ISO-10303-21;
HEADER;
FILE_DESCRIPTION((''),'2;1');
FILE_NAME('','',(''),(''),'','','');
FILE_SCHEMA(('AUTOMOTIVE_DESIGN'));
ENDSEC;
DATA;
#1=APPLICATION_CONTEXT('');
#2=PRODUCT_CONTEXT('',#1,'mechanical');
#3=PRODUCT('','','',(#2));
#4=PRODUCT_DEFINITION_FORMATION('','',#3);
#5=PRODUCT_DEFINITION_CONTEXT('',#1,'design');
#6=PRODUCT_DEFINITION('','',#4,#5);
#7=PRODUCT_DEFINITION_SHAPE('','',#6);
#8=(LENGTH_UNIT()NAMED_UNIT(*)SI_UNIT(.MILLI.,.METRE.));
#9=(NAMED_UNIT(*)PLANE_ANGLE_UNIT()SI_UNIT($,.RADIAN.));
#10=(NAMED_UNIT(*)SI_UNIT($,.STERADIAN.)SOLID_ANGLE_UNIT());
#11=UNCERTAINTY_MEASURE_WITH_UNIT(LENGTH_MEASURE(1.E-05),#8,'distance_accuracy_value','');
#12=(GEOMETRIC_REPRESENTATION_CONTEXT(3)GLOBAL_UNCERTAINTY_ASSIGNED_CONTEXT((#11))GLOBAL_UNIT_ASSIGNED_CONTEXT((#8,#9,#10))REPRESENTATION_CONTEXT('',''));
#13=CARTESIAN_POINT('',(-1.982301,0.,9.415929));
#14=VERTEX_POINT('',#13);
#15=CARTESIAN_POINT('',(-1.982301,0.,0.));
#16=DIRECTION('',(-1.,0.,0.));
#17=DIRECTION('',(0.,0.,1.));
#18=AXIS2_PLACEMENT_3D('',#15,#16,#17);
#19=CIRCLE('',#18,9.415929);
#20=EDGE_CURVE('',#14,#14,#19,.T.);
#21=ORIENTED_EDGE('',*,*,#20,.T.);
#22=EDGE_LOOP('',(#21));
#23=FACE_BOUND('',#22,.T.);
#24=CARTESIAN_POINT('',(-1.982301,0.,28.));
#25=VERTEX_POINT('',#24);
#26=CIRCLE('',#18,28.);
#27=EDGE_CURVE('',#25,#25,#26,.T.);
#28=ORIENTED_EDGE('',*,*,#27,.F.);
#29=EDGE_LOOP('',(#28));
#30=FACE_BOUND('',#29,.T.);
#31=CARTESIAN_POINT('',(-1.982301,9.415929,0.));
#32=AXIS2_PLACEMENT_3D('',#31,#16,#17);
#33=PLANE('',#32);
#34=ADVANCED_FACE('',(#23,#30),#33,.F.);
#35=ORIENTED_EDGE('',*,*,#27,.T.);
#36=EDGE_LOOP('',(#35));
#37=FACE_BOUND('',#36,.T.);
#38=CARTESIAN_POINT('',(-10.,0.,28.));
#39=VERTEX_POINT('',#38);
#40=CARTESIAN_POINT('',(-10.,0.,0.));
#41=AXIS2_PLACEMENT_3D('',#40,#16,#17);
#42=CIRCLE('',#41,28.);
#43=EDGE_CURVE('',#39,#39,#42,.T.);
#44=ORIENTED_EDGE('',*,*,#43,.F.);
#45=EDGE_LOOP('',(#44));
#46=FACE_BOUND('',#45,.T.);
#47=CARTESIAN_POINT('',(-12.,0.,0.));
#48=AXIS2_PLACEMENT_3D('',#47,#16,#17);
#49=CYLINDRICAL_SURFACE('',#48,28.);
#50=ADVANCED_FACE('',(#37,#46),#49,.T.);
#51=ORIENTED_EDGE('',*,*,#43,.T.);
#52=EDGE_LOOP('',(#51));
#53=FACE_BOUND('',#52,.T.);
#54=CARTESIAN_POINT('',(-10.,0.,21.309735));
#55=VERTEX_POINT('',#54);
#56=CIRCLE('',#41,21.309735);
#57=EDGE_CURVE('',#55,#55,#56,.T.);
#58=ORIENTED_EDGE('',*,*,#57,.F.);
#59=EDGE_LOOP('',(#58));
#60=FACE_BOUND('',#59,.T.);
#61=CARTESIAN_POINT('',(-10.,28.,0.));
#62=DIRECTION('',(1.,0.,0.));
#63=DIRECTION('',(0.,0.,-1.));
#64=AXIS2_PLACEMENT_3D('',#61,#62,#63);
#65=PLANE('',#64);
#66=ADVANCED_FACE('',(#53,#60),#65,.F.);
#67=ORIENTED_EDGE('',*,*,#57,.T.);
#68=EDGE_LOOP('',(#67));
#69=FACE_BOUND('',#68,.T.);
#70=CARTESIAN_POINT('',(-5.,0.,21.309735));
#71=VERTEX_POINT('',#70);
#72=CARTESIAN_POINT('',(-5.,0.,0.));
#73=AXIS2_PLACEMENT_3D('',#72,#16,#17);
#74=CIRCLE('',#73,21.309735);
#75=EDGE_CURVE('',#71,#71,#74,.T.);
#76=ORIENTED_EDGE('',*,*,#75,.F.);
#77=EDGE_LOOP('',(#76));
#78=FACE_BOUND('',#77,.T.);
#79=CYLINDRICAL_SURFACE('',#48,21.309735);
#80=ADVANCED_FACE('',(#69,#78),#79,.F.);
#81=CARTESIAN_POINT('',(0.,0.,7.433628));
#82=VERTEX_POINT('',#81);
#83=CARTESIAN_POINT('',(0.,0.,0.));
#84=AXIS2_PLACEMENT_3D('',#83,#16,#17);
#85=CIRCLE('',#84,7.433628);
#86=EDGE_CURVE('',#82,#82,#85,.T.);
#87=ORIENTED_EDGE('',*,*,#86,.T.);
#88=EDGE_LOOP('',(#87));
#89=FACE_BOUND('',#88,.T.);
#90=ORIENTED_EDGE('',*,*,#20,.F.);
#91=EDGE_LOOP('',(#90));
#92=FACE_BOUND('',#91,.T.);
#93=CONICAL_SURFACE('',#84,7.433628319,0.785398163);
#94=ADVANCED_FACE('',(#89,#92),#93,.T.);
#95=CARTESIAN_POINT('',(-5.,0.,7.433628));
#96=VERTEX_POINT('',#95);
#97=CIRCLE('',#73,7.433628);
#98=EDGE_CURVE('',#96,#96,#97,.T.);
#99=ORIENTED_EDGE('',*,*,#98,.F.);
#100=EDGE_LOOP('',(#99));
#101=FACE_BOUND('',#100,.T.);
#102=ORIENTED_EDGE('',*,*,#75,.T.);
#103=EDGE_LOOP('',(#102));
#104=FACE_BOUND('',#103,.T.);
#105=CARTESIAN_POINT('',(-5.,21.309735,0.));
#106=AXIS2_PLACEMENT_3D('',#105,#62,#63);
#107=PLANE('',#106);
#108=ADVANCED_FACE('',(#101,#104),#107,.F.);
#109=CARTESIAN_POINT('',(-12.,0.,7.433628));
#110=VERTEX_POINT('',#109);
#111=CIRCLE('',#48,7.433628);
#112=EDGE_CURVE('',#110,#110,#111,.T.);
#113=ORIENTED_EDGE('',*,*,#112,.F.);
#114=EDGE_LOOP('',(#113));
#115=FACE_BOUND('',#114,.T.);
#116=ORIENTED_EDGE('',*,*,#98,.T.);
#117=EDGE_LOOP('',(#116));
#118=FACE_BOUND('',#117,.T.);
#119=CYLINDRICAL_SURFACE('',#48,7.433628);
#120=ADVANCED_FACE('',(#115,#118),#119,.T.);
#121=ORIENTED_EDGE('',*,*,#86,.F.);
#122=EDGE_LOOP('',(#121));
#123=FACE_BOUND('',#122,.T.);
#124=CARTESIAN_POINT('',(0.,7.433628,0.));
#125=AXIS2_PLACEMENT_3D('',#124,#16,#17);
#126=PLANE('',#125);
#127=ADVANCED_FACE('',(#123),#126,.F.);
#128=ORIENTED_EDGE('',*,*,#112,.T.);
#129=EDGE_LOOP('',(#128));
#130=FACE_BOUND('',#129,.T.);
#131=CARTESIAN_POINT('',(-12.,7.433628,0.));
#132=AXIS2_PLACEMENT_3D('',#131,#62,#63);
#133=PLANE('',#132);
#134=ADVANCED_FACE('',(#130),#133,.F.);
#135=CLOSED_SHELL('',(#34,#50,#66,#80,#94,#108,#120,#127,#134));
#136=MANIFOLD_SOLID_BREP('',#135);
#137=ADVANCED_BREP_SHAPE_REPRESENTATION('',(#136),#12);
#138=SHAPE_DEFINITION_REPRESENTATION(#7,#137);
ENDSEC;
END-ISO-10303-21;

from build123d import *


with BuildPart() as part:
    # Croquis1 → Revolución2 (revolve)
    with BuildSketch(Plane.XY, mode=Mode.PRIVATE) as revoluci_n2_sk:
        Polygon((-1.982300885, 9.415929204), (-1.982300885, 28), (-10, 28), (-10, 21.309734513), (-5, 21.309734513), (-5, 7.433628319), (-12, 7.433628319), (-12, 0), (0, 0), (0, 7.433628319), align=None)
    revolve(revoluci_n2_sk.sketch.rotate(Axis((-12, 0, 0), (1, 0, 0)), 90), axis=Axis((-12, 0, 0), (1, 0, 0)))


solid = part.part
